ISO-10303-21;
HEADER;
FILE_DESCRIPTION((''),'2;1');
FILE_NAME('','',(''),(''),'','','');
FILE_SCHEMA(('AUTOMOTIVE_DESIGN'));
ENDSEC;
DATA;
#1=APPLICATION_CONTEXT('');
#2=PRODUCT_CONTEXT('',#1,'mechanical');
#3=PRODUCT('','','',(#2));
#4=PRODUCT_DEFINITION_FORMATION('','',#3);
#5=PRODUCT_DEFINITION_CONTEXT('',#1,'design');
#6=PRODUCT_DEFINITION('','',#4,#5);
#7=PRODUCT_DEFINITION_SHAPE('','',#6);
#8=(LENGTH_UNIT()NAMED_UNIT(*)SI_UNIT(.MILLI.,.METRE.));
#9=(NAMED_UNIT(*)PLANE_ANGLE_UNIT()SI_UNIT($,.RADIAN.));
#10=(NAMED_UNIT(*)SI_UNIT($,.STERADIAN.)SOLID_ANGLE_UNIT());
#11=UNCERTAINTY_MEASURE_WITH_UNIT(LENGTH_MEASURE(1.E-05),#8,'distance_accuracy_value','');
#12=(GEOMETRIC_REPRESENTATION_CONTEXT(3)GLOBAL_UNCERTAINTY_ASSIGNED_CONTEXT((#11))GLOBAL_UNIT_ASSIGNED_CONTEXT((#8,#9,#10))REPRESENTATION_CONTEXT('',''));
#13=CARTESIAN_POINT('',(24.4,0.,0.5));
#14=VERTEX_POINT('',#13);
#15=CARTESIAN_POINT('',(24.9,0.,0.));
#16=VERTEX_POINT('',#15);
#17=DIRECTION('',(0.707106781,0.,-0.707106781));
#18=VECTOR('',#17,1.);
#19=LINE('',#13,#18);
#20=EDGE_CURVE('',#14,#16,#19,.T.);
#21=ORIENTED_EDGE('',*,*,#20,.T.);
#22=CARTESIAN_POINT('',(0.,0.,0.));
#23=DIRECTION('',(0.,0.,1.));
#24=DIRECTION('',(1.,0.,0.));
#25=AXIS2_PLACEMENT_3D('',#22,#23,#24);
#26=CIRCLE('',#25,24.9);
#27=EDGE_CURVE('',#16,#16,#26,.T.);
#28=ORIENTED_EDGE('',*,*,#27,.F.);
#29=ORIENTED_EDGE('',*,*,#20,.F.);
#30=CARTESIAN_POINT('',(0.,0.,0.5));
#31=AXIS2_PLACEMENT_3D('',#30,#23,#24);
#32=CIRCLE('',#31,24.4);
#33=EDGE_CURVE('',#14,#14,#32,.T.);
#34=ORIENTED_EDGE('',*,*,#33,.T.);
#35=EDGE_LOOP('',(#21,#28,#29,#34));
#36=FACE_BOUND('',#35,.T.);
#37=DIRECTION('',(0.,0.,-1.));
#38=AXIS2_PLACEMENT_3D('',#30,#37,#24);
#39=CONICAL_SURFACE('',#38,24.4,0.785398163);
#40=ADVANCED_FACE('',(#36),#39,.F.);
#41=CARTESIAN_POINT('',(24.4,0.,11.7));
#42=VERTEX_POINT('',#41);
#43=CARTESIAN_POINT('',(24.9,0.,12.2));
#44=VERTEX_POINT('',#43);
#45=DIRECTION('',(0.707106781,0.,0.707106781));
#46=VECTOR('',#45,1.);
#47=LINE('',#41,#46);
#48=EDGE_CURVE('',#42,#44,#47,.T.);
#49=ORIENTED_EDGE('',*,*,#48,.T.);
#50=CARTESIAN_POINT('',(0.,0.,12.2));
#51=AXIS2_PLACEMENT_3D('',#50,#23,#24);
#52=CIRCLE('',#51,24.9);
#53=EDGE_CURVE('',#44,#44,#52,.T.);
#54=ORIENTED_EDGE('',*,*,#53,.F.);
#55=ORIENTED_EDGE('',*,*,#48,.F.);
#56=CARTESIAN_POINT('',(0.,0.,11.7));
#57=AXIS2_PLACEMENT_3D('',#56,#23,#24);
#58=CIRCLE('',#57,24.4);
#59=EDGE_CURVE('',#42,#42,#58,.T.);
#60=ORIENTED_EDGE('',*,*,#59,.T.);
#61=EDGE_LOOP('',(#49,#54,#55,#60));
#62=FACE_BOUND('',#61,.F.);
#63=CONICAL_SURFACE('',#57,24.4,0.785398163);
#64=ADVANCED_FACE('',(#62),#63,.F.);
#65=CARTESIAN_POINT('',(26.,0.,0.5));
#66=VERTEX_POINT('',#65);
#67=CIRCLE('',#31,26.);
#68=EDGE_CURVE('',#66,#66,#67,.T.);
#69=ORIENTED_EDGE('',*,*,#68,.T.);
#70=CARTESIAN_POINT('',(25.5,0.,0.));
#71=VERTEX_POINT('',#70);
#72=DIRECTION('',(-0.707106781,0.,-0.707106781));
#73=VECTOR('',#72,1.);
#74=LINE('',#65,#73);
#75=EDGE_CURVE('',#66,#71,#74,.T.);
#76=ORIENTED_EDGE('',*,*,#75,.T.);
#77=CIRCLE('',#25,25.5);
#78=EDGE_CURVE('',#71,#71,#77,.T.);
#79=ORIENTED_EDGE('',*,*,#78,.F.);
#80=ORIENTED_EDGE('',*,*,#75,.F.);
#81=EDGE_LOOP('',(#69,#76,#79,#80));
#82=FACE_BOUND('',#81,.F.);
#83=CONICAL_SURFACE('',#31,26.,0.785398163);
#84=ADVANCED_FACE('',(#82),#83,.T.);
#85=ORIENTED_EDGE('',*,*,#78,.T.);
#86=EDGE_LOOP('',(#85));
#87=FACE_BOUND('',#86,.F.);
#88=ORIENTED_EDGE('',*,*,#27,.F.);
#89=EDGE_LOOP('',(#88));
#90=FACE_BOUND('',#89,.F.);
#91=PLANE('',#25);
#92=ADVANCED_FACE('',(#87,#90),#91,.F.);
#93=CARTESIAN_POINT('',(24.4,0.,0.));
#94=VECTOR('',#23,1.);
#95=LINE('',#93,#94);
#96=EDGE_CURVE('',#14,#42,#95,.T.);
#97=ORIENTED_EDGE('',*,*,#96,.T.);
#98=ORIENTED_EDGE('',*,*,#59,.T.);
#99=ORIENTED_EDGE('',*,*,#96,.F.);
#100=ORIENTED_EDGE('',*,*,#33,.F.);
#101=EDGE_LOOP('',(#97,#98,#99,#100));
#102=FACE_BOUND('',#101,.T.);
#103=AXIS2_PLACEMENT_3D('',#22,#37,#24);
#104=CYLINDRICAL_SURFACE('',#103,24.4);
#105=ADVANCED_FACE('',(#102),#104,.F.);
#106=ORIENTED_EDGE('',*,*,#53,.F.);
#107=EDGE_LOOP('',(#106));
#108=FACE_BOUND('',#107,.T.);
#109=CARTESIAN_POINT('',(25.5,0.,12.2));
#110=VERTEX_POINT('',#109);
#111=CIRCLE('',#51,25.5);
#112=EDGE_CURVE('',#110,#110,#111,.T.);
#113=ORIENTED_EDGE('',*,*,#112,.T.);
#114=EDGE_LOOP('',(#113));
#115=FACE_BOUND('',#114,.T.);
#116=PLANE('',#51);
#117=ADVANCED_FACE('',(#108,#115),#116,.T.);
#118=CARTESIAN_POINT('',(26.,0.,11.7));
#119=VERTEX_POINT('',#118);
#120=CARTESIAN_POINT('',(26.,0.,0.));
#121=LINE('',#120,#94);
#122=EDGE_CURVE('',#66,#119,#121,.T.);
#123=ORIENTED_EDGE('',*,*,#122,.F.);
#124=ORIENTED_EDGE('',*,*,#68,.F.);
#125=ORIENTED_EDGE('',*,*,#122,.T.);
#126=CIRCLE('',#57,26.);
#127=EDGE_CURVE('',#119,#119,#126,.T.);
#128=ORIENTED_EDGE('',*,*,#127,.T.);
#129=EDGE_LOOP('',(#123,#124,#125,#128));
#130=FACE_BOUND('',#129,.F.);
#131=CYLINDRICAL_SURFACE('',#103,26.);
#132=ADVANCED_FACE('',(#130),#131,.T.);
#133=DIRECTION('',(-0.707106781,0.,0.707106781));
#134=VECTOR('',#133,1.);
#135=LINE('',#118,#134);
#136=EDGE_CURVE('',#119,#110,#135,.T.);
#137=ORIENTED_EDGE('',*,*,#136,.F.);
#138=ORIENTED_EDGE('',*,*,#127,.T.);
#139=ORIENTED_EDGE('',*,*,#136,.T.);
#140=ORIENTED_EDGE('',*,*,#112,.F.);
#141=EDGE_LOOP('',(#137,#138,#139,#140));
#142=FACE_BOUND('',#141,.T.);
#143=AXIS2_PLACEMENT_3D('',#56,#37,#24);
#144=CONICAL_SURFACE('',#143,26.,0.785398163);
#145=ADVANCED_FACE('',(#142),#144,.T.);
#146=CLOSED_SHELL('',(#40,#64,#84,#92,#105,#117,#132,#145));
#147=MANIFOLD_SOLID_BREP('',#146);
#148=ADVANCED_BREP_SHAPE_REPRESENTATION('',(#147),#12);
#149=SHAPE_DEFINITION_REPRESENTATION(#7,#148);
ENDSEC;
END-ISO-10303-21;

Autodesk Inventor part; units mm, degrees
ref_plane "YZ Plane" through (0, 0, 0) normal (1, 0, 0) x (0, 1, 0)
ref_plane "XZ Plane" through (0, 0, 0) normal (0, 1, 0) x (-1, 0, 0)
ref_plane "XY Plane" through (0, 0, 0) normal (0, 0, 1) x (1, 0, 0)
sketch "草图1" plane through (0, 0, 0) normal (0, 0, 1) x (1, 0, 0)
  circle A0 centre (0, 0) radius 26
  circle A1 centre (0, 0) radius 24.4
extrude "拉伸1" add sketch "草图1" along normal blind 12.2
chamfer "倒角1" distance 0.5 angle 45 4 edges at (-24.4, 0, 12.2) (-24.4, 0, 0) (-26, 0, 12.2) (-26, 0, 0)
properties part number "my_attempt_v2"
